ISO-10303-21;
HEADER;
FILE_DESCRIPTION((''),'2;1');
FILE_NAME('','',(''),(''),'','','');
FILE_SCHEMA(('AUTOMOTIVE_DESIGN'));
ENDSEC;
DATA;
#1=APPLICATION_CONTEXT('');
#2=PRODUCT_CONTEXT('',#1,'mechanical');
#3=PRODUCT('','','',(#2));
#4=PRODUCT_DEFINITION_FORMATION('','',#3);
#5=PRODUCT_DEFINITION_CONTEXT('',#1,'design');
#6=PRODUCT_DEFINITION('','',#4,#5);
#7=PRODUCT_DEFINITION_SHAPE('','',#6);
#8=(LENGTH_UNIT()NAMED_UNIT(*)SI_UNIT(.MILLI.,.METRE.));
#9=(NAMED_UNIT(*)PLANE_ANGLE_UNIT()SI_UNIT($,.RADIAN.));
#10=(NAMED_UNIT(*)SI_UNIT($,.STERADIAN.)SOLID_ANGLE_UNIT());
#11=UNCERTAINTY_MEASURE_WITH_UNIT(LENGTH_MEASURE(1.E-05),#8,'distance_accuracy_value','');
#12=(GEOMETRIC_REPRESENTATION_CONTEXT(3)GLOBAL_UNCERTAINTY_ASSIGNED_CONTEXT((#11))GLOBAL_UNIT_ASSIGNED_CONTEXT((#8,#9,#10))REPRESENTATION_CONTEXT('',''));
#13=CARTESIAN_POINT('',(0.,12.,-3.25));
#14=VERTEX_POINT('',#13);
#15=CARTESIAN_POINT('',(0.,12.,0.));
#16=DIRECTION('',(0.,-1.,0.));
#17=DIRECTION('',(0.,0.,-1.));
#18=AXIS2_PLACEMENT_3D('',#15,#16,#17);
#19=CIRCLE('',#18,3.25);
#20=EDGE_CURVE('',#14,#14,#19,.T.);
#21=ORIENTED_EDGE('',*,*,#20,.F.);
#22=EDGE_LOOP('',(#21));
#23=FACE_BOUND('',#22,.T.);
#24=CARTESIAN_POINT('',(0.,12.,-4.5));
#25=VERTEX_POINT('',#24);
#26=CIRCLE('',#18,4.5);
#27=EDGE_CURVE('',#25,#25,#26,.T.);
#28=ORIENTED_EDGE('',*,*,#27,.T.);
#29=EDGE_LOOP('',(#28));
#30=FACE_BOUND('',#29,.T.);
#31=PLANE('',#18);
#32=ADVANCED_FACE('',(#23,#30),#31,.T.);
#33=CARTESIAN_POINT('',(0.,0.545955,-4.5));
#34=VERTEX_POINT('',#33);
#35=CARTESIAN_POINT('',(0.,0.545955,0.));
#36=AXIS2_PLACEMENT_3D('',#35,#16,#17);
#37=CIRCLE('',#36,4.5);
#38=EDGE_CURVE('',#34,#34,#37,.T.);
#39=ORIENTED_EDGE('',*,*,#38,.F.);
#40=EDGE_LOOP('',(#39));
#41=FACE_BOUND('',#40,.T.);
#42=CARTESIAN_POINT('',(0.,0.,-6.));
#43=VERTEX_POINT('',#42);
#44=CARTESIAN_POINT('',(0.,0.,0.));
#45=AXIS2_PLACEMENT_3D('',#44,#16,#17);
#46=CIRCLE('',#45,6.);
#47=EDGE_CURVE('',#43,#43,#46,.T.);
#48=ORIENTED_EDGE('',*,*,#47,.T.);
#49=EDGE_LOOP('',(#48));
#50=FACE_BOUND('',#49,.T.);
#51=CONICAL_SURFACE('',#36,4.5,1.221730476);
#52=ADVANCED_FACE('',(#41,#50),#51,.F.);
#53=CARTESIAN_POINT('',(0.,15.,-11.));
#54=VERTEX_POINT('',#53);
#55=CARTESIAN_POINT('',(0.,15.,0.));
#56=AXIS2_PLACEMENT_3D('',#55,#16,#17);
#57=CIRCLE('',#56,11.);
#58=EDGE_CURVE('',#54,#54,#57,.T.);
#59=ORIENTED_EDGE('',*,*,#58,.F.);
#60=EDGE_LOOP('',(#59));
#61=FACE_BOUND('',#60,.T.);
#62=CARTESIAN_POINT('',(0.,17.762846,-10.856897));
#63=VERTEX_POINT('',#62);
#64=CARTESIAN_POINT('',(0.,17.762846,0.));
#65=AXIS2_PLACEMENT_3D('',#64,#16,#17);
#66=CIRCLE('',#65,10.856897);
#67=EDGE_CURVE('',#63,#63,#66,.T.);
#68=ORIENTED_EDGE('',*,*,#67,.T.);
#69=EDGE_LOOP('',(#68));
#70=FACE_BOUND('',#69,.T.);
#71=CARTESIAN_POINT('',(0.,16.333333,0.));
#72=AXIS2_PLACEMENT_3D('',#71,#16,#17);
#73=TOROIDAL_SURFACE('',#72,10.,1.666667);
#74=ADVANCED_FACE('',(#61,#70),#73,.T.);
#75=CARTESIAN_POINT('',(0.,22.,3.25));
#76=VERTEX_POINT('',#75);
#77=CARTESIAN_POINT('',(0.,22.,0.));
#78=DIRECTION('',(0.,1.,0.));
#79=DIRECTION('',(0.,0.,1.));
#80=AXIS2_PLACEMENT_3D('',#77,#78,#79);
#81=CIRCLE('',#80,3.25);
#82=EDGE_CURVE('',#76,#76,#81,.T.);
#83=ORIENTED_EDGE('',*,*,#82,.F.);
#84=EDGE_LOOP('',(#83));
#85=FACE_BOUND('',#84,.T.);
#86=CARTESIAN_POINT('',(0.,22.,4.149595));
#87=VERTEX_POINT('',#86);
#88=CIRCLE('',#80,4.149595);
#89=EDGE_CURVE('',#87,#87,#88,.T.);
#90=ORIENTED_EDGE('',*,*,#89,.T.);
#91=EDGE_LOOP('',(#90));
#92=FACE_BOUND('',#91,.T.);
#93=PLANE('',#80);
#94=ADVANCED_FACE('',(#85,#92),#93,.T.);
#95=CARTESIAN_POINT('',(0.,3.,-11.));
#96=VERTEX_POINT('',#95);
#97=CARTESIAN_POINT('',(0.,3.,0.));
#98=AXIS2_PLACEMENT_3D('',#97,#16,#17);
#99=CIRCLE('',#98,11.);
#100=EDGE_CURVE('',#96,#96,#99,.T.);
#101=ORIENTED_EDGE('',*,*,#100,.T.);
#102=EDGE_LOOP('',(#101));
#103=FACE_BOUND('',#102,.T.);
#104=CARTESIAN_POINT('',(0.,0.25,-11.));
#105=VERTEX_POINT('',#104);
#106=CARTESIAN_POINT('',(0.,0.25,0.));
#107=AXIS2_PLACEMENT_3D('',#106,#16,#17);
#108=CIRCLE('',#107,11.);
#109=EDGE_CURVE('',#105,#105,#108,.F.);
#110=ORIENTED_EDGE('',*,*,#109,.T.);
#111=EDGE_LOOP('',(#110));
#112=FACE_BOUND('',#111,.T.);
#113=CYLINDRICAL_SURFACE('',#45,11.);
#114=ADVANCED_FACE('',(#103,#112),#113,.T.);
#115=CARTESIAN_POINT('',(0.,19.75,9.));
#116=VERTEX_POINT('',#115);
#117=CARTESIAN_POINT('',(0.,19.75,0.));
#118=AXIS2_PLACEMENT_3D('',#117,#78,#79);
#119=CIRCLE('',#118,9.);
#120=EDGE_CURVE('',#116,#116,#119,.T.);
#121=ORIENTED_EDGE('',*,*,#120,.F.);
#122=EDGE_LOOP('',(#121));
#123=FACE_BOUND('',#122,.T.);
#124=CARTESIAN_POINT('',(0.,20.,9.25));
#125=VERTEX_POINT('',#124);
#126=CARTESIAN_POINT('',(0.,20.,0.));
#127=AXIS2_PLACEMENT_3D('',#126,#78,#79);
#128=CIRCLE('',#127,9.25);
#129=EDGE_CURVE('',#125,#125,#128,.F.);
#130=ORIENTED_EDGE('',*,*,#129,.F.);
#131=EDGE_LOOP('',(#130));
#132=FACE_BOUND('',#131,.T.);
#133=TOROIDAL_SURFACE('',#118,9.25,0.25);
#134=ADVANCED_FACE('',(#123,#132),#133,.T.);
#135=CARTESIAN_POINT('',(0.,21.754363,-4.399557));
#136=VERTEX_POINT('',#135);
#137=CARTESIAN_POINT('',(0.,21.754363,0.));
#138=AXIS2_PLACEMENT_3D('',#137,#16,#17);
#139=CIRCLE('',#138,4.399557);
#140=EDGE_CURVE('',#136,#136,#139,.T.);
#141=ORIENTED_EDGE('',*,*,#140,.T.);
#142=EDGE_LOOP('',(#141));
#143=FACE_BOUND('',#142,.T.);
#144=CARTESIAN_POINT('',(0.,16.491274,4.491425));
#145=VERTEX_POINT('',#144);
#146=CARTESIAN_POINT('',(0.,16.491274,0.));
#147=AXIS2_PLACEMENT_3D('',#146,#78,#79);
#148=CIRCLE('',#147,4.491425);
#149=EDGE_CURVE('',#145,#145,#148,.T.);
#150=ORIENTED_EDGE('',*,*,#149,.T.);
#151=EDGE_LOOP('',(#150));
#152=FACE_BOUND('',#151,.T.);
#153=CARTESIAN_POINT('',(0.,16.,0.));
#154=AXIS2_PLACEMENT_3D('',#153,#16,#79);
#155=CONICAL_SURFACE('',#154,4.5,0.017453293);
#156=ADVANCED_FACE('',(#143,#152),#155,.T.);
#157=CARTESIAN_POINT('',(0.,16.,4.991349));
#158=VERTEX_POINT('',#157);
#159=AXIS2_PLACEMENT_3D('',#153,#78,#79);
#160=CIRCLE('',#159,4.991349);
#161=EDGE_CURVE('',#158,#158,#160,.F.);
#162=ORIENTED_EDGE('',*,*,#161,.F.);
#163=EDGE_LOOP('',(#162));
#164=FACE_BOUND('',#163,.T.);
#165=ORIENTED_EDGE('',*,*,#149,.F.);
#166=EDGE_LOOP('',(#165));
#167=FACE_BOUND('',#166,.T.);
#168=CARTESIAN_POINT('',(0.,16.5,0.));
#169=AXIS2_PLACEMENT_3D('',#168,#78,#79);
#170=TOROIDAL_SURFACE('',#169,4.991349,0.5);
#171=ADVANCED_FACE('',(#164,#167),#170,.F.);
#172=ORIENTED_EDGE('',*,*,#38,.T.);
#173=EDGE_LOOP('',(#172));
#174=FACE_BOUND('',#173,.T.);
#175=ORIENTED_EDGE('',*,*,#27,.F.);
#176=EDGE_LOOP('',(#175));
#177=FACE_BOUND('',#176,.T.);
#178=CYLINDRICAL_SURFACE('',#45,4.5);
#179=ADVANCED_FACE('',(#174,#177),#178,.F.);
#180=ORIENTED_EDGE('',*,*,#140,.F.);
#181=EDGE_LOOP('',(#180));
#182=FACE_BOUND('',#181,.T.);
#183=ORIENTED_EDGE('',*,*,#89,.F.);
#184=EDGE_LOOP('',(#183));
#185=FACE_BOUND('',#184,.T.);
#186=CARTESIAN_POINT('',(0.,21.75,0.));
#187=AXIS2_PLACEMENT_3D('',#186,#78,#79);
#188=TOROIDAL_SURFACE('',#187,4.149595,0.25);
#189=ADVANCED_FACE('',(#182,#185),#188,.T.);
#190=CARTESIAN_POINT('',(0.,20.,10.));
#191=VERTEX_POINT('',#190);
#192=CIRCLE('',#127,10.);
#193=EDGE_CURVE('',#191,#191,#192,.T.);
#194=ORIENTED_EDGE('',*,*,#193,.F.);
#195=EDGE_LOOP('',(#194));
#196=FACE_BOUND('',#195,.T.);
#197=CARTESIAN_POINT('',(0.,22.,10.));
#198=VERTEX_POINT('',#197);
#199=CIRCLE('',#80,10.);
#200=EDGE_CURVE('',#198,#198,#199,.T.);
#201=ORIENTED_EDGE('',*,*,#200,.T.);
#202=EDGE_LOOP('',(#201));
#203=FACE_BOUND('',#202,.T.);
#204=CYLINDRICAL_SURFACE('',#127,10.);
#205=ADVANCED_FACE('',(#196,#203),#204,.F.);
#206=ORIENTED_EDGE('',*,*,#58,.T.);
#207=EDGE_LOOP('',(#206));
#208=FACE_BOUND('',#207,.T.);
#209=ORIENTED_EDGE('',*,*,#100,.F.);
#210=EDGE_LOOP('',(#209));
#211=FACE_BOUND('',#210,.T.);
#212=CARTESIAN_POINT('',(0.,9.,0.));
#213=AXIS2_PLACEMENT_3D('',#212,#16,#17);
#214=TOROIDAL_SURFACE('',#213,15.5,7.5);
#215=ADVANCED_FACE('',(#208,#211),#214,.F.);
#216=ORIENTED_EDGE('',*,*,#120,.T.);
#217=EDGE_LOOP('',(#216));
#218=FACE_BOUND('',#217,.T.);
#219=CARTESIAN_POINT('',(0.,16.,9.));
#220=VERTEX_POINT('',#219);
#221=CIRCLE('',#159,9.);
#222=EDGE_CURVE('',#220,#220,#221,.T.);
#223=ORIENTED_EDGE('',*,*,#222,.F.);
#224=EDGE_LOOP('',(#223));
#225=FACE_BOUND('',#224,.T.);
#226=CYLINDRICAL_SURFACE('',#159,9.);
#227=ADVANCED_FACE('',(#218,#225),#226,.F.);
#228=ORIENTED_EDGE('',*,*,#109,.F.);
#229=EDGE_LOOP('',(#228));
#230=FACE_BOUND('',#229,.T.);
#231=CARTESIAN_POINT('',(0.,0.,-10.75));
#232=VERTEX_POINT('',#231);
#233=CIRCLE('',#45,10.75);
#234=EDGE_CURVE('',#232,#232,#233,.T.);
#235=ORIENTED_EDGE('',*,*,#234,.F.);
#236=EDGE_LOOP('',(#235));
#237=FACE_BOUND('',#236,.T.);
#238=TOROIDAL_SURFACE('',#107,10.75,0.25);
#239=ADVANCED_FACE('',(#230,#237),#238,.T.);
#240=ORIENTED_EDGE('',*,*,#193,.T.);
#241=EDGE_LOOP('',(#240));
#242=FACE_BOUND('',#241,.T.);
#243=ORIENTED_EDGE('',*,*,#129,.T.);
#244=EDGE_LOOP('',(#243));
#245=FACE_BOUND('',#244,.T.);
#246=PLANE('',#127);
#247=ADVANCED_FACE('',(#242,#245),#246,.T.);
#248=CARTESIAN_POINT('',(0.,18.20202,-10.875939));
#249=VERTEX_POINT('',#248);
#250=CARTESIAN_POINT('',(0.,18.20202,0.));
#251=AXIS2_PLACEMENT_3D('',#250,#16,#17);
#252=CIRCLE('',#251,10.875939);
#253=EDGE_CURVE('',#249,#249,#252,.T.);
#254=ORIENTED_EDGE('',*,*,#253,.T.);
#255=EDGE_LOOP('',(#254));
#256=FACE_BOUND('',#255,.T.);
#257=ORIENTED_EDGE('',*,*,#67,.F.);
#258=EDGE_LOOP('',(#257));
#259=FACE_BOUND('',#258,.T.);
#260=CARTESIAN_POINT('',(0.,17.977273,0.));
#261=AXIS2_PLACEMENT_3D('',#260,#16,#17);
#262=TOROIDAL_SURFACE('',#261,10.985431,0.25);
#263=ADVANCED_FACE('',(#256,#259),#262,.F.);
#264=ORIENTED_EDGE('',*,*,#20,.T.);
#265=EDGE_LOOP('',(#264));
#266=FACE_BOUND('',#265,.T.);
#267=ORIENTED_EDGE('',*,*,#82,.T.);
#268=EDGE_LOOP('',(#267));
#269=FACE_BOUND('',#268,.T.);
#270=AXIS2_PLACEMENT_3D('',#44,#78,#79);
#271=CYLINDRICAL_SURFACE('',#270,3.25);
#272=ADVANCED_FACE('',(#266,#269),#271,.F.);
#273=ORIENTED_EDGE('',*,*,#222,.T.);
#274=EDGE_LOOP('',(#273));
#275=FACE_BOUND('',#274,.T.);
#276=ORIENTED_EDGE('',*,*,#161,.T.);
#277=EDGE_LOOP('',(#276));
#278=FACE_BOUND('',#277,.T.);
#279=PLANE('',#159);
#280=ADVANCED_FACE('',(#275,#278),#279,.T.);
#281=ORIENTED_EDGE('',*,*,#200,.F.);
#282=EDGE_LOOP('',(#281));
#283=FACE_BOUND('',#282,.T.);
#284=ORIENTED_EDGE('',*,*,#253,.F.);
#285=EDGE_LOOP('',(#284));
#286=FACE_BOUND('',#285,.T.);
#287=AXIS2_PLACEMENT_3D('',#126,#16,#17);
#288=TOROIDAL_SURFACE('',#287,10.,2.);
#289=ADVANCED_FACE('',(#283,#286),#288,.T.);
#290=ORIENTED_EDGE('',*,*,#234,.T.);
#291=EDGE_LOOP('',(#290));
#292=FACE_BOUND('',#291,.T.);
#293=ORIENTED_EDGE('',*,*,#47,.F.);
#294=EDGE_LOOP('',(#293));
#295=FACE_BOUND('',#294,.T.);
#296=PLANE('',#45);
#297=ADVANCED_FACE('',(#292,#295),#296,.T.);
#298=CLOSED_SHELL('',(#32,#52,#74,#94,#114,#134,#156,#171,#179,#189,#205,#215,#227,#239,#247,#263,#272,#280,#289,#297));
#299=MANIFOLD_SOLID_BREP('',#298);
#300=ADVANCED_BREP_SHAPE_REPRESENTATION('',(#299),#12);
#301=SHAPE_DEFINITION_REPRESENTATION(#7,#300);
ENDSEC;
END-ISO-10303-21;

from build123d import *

# Parameters (mm, degrees)
COUNTERSUNK_HOLE_D           = 9
COUNTERSUNK_HOLE_DEPTH       = 12
COUNTERSUNK_HOLE_CSINK_D     = 12
COUNTERSUNK_HOLE_CSINK_ANGLE = 140
SKETCH2_R                    = 10
CUT_EXTRUDE1_DEPTH           = 2
SKETCH3_R                    = 9
CUT_EXTRUDE2_DEPTH           = 4
SKETCH4_R                    = 4.5
BOSS_EXTRUDE1_DEPTH          = 6
BOSS_EXTRUDE1_TAPER          = 1
SKETCH5_R                    = 3.25
CUT_EXTRUDE3_DEPTH           = 28.784888065
FILLET1_R                    = 0.25
FILLET2_R                    = 0.5


with BuildPart() as part:
    # Sketch1 → Base-Revolve (revolve)
    with BuildSketch(Plane.XY, mode=Mode.PRIVATE) as base_revolve_sk:
        with BuildLine():
            Line((0, 0), (11, 0))
            Line((11, 0), (11, 3))
            ThreePointArc((11, 3), (8, 9), (11, 15))
            ThreePointArc((11, 15), (11.664435496, 16.419543868), (10.856896577, 17.76284585))
            ThreePointArc((10.856896577, 17.76284585), (10.735665732, 17.988102294), (10.875938723, 18.202020202))
            ThreePointArc((10.875938723, 18.202020202), (11.948840629, 20.449466575), (10, 22))
            Line((10, 22), (0, 22))
            Line((0, 22), (0, 0))
        make_face()
    revolve(base_revolve_sk.sketch.rotate(Axis((0, 0, 0), (0, 1, 0)), 90), axis=Axis((0, 0, 0), (0, 1, 0)))

    # CounterSunk Hole
    with Locations(Plane.XZ):
        with Locations((0, 0)):
            CounterSinkHole(COUNTERSUNK_HOLE_D / 2, COUNTERSUNK_HOLE_CSINK_D / 2, depth=COUNTERSUNK_HOLE_DEPTH, counter_sink_angle=COUNTERSUNK_HOLE_CSINK_ANGLE)

    # Sketch2 → Cut-Extrude1 (cut)
    with BuildSketch(Plane(origin=(0, 22, 0), x_dir=(-1, 0, 0), z_dir=(0, 1, 0))):
        with Locations(Location((0, 0, 0), (0, 0, 90))):
            Circle(SKETCH2_R)
    extrude(amount=-CUT_EXTRUDE1_DEPTH, mode=Mode.SUBTRACT)

    # Sketch3 → Cut-Extrude2 (cut)
    with BuildSketch(Plane(origin=(0, 20, 0), x_dir=(-1, 0, 0), z_dir=(0, 1, 0))):
        with Locations(Location((0, 0, 0), (0, 0, 90))):
            Circle(SKETCH3_R)
    extrude(amount=-CUT_EXTRUDE2_DEPTH, mode=Mode.SUBTRACT)

    # Sketch4 → Boss-Extrude1 (add)
    with BuildSketch(Plane(origin=(0, 16, 0), x_dir=(-1, 0, 0), z_dir=(0, 1, 0))):
        with Locations(Location((0, 0, 0), (0, 0, 270))):
            Circle(SKETCH4_R)
    extrude(amount=BOSS_EXTRUDE1_DEPTH, taper=BOSS_EXTRUDE1_TAPER)

    # Sketch5 → Cut-Extrude3 (cut, through all)
    with BuildSketch(Plane(origin=(0, 22, 0), x_dir=(-1, 0, 0), z_dir=(0, 1, 0))):
        with Locations(Location((0, 0, 0), (0, 0, 90))):
            Circle(SKETCH5_R)
    extrude(amount=-CUT_EXTRUDE3_DEPTH, mode=Mode.SUBTRACT)

    # Fillet1
    fillet1_edges = [part.edges().sort_by_distance(p)[0] for p in [
        (0, 20, -9),
        (0, 22, 4.39526961),
        (0, 0, 11),
    ]]
    fillet(fillet1_edges, radius=FILLET1_R)

    # Fillet2
    fillet2_edges = [part.edges().sort_by_distance(p)[0] for p in [
        (0, 16, 4.5),
    ]]
    fillet(fillet2_edges, radius=FILLET2_R)


solid = part.part
